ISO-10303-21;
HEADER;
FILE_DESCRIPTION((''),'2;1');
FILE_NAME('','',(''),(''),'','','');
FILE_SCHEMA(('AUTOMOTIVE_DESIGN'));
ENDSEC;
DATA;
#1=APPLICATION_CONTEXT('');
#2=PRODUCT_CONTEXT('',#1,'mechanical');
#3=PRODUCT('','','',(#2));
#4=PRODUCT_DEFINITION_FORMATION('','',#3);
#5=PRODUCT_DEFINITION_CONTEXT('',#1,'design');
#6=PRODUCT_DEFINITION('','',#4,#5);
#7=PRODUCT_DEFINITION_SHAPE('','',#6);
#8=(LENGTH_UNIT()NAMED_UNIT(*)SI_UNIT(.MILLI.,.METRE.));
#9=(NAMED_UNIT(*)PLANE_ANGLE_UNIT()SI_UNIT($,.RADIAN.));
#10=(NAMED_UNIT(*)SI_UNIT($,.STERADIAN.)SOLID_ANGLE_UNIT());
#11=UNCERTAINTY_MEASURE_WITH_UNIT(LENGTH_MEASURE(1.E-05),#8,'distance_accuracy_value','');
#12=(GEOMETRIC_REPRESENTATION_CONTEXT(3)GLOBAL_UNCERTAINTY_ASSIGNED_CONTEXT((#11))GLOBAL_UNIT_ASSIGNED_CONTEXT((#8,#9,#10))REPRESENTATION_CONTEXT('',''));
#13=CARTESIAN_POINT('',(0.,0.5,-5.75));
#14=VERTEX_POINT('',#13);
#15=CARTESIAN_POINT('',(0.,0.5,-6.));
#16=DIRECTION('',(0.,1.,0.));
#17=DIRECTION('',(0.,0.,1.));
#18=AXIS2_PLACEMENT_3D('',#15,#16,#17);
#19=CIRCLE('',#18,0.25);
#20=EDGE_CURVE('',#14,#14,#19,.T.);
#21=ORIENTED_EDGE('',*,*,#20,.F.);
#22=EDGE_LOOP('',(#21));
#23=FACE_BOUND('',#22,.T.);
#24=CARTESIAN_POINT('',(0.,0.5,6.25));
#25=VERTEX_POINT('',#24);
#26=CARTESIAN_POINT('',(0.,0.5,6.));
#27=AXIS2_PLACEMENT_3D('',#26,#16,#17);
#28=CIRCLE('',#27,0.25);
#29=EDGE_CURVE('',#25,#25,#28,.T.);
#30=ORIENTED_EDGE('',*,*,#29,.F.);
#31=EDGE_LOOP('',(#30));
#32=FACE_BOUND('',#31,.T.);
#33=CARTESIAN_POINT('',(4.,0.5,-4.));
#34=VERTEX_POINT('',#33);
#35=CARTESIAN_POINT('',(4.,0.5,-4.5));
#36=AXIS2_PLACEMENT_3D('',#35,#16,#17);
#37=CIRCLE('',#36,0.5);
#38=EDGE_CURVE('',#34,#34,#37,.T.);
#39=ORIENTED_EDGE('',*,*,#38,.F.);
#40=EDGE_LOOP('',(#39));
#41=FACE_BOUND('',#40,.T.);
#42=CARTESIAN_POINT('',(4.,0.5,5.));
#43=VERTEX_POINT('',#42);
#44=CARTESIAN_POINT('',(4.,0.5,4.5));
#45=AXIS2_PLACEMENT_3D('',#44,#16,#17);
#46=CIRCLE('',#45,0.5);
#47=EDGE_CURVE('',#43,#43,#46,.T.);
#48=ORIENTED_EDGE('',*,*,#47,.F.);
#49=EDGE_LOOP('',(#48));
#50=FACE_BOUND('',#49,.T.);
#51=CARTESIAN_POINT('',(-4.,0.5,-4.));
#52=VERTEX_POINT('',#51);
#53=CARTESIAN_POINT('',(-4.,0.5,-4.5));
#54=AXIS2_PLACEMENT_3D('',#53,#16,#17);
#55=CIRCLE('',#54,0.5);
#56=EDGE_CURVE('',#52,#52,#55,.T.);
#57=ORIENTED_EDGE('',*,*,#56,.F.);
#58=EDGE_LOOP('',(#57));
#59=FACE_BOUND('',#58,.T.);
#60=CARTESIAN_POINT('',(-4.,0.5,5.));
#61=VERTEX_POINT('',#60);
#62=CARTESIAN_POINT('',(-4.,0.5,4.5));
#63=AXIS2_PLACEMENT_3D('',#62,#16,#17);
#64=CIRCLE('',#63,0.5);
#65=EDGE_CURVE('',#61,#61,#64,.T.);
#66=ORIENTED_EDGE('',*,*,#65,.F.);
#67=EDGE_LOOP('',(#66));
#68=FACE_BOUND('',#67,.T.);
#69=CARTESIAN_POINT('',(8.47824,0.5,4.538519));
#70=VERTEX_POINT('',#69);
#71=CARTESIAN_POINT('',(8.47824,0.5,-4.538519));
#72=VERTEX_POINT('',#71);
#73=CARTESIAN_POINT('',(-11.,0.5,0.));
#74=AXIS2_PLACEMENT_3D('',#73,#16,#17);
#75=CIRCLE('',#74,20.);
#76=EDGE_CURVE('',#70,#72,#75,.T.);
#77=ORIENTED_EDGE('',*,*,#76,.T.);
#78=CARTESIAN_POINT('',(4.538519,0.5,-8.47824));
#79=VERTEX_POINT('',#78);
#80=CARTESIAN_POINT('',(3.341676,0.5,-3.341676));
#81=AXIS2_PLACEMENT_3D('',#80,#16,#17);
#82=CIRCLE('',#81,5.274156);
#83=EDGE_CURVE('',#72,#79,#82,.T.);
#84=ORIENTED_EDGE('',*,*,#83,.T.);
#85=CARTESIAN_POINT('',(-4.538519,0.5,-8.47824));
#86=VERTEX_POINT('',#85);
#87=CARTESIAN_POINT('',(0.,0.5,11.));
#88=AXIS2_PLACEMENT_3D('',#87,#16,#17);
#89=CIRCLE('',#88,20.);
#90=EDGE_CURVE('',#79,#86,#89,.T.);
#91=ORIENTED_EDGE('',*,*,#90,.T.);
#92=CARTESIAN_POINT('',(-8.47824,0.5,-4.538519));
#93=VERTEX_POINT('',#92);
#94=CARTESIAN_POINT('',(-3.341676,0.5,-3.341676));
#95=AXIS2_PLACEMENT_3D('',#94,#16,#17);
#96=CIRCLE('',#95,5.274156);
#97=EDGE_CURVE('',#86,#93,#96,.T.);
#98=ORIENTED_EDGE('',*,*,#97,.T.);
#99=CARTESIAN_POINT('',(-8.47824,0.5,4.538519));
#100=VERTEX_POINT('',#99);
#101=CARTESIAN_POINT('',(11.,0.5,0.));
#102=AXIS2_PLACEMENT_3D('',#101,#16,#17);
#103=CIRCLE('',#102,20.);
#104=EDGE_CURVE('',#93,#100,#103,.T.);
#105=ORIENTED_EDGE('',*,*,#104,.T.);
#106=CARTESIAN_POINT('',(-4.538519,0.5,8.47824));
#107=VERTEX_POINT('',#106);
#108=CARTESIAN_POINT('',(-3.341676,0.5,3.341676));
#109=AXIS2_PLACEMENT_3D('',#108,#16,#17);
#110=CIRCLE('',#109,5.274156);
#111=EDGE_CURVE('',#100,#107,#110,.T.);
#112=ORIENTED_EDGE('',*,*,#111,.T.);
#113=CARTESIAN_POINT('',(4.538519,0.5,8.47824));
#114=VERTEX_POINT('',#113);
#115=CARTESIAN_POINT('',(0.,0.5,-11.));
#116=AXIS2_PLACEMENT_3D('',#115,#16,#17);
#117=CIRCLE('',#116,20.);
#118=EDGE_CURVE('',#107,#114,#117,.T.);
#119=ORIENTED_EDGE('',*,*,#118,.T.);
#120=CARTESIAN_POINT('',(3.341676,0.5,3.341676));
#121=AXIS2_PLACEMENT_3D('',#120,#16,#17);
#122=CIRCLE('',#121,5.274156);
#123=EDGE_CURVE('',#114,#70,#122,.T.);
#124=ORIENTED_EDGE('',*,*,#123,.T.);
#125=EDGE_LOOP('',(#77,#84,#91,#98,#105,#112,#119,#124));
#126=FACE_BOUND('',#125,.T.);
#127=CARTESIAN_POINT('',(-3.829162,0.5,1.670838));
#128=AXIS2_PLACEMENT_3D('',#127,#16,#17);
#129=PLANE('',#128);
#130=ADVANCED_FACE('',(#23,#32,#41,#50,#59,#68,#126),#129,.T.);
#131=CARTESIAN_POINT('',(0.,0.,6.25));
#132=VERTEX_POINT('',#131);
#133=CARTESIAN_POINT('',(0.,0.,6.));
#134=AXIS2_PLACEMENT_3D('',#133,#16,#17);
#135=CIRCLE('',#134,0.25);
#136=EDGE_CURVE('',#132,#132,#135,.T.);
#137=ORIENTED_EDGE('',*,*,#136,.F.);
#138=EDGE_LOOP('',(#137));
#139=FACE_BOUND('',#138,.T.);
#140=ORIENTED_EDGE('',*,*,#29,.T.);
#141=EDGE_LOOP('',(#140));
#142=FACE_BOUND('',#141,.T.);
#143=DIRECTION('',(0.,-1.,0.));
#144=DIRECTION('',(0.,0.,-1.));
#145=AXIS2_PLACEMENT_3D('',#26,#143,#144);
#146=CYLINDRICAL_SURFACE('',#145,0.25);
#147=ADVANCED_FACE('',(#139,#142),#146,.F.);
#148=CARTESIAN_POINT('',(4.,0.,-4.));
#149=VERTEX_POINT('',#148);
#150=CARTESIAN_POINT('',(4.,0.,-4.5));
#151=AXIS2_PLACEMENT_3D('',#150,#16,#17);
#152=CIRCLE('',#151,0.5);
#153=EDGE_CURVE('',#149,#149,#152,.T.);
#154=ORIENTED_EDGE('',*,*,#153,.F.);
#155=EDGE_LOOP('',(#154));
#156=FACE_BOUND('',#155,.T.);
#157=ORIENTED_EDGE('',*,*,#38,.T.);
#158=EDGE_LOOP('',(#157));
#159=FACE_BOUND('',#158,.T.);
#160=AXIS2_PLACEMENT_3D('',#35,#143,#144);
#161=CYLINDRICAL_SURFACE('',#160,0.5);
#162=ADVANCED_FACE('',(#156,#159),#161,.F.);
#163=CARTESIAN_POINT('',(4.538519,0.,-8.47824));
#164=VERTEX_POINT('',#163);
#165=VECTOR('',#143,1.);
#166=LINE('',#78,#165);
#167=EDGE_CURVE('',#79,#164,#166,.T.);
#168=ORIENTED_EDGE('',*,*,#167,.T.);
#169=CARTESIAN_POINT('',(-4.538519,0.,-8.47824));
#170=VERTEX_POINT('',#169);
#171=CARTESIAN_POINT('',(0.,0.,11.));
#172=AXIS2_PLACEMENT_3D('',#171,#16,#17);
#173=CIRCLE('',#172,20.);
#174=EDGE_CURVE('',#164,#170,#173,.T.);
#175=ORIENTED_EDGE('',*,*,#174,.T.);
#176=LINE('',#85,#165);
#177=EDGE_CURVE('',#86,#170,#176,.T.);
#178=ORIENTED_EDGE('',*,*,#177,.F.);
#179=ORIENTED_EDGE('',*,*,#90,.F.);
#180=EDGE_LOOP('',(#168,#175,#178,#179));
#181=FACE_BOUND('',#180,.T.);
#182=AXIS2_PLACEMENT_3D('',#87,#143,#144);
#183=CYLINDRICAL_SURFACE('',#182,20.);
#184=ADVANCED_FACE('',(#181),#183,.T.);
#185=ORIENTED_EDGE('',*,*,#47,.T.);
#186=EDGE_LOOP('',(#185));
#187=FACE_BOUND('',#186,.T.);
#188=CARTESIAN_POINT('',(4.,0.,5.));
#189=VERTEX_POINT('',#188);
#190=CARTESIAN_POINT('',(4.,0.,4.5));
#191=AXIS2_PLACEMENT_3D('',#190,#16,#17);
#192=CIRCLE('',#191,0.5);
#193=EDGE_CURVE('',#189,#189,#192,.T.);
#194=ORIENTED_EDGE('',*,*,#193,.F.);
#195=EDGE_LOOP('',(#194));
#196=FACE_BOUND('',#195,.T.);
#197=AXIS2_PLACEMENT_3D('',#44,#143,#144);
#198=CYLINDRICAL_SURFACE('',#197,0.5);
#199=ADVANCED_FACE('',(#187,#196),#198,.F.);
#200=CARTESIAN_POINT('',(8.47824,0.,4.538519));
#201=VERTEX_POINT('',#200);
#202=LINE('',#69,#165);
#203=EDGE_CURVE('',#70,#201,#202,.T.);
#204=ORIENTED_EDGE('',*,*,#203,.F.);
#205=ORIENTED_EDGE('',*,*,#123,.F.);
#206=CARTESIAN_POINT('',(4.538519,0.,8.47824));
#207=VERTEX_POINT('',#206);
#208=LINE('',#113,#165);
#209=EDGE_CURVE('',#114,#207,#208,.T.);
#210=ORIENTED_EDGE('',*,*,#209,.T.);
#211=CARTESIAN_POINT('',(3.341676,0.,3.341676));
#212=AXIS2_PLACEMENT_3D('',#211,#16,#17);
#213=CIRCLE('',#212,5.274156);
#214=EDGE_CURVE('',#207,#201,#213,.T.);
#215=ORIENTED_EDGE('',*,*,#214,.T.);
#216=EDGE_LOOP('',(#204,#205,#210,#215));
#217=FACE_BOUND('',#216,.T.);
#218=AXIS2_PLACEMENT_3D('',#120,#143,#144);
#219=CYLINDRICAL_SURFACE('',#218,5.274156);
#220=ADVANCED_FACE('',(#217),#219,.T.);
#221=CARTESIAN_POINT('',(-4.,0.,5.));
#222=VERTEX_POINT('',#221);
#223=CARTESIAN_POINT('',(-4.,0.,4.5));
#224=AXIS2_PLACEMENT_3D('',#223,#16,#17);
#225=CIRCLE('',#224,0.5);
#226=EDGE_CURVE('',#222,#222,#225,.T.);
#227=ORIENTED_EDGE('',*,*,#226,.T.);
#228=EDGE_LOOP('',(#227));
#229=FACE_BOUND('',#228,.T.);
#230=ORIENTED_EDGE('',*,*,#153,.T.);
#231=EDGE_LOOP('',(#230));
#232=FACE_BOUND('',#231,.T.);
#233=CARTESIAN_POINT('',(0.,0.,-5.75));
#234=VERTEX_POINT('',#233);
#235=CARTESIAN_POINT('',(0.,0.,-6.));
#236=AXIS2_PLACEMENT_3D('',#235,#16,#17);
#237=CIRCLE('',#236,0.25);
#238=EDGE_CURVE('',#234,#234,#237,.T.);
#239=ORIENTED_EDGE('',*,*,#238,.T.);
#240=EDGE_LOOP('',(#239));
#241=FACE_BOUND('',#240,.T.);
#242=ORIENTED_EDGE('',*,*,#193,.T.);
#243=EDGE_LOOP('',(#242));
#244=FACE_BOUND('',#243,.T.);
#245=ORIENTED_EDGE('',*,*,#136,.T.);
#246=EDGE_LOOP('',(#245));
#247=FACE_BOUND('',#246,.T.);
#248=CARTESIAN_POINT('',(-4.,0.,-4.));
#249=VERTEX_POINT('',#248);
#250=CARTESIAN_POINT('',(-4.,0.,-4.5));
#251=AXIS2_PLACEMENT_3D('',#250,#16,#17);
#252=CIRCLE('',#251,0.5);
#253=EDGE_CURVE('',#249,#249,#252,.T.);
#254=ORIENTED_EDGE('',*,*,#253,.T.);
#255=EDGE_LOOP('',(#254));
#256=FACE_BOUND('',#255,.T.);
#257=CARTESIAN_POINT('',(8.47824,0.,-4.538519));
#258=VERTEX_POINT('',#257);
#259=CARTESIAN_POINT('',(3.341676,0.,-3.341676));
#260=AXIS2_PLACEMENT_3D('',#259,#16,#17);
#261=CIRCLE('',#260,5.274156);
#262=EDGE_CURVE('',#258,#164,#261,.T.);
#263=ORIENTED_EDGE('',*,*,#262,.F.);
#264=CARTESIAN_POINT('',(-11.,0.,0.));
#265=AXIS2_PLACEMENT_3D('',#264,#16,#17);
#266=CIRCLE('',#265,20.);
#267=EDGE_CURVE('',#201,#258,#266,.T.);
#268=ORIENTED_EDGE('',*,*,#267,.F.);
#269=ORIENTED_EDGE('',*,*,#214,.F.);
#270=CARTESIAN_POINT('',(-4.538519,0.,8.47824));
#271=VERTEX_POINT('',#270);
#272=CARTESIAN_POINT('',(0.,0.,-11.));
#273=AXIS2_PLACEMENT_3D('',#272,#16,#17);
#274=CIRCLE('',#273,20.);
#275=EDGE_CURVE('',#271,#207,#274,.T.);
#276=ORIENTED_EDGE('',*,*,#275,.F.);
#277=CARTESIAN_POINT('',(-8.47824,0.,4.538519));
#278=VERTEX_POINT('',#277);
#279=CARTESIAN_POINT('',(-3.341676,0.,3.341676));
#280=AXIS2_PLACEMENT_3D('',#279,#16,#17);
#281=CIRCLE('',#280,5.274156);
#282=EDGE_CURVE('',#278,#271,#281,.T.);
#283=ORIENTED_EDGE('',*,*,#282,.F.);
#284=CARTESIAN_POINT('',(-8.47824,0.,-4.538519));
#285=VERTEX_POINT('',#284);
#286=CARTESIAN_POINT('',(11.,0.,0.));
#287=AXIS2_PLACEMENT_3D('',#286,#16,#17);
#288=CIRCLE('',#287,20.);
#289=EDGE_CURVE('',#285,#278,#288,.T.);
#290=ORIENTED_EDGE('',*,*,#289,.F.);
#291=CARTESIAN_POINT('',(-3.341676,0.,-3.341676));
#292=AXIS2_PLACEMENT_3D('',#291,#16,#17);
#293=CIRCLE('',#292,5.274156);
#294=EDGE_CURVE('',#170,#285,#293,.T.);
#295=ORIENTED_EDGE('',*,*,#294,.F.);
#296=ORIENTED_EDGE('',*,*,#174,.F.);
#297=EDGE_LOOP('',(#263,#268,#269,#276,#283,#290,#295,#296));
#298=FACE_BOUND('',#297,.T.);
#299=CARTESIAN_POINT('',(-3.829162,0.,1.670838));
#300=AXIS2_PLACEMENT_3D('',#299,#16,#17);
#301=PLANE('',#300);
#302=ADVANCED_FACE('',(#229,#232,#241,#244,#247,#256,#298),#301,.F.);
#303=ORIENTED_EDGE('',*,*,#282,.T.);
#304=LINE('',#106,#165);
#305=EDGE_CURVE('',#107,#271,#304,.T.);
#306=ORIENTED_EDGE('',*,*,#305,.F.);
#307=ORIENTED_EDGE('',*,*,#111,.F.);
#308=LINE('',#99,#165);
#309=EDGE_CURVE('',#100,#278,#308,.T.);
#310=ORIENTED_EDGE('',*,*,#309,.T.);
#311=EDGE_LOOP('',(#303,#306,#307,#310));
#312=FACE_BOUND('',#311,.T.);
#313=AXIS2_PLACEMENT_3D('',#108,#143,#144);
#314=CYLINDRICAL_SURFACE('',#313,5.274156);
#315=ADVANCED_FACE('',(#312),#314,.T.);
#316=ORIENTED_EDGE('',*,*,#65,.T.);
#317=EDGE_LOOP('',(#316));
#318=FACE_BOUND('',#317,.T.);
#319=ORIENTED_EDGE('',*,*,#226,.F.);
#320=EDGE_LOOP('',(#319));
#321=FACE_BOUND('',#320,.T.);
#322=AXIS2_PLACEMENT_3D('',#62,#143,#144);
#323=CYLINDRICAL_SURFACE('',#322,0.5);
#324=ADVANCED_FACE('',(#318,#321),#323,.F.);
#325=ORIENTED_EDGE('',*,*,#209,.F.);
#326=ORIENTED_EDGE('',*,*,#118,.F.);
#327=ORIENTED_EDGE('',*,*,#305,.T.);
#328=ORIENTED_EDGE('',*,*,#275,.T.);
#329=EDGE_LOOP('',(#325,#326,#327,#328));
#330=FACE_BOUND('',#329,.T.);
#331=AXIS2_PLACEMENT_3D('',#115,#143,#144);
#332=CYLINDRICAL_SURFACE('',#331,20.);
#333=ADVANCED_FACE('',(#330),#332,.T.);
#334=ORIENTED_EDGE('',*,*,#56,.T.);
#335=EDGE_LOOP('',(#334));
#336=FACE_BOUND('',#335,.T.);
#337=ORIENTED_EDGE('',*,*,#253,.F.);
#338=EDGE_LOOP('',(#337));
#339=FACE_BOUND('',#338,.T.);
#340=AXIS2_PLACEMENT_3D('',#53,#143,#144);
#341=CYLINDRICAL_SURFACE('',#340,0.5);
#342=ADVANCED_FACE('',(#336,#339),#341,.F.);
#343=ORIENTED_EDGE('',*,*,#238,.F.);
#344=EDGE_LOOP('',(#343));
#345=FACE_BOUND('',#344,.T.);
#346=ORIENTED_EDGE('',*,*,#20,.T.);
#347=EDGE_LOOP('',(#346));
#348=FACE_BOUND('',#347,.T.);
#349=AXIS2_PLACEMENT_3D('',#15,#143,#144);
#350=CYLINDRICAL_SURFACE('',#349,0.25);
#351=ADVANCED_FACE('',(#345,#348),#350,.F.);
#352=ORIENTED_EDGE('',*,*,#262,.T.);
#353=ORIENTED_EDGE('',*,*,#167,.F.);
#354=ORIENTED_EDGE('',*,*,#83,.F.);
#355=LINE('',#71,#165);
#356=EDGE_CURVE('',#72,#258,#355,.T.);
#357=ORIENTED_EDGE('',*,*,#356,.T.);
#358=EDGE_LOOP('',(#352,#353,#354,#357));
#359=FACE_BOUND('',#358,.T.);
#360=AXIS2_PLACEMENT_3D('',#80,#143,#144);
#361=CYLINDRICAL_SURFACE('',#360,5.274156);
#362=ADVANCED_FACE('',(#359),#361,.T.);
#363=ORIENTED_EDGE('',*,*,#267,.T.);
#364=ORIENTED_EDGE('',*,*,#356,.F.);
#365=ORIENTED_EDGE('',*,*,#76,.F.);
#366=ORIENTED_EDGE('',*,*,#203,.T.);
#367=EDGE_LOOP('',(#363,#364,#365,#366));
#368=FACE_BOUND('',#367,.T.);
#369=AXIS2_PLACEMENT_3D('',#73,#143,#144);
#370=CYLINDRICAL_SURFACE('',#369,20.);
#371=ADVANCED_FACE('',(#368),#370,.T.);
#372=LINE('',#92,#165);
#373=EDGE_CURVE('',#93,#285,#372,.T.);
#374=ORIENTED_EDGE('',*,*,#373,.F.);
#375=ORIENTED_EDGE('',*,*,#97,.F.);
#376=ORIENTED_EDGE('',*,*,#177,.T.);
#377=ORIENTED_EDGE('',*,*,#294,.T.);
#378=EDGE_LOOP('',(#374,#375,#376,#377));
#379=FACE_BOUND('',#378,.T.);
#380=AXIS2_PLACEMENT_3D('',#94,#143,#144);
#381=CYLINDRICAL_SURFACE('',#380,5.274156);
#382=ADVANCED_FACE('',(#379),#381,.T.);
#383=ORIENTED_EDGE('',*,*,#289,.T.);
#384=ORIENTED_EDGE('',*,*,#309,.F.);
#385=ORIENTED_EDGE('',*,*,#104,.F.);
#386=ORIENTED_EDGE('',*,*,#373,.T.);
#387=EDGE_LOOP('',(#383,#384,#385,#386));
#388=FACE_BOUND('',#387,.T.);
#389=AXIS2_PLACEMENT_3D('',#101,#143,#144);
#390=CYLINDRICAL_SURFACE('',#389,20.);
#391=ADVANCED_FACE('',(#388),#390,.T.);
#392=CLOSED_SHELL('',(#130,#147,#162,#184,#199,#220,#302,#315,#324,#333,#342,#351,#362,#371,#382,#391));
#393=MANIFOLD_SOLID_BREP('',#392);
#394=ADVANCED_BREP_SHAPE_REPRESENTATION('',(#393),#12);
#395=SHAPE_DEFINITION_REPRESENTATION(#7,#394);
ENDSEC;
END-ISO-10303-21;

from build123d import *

# Parameters (mm, degrees)
SKETCH1_R      = 0.5
SKETCH1_R_2    = 0.25
EXTRUDE1_DEPTH = 0.5


with BuildPart() as part:
    # Sketch1 → Extrude1 (new body)
    with BuildSketch(Plane(origin=(0, 0, 0), x_dir=(1, 0, 0), z_dir=(0, 1, 0))):
        with BuildLine():
            ThreePointArc((8.478240258, -4.538519193), (9, 0), (8.478240258, 4.538519193))
            ThreePointArc((8.478240258, 4.538519193), (7.071067812, 7.071067812), (4.538519193, 8.478240258))
            ThreePointArc((4.538519193, 8.478240258), (0, 9), (-4.538519193, 8.478240258))
            ThreePointArc((-4.538519193, 8.478240258), (-7.071067812, 7.071067812), (-8.478240258, 4.538519193))
            ThreePointArc((-8.478240258, 4.538519193), (-9, 0), (-8.478240258, -4.538519193))
            ThreePointArc((-8.478240258, -4.538519193), (-7.071067812, -7.071067812), (-4.538519193, -8.478240258))
            ThreePointArc((-4.538519193, -8.478240258), (0, -9), (4.538519193, -8.478240258))
            ThreePointArc((4.538519193, -8.478240258), (7.071067812, -7.071067812), (8.478240258, -4.538519193))
        make_face()
        with Locations((4, 4.5)):
            Circle(SKETCH1_R, mode=Mode.SUBTRACT)
        with Locations((-4, 4.5)):
            Circle(SKETCH1_R, mode=Mode.SUBTRACT)
        with Locations((4, -4.5)):
            Circle(SKETCH1_R, mode=Mode.SUBTRACT)
        with Locations((-4, -4.5)):
            Circle(SKETCH1_R, mode=Mode.SUBTRACT)
        with Locations((0, 6)):
            Circle(SKETCH1_R_2, mode=Mode.SUBTRACT)
        with Locations((0, -6)):
            Circle(SKETCH1_R_2, mode=Mode.SUBTRACT)
    extrude(amount=EXTRUDE1_DEPTH)


solid = part.part
